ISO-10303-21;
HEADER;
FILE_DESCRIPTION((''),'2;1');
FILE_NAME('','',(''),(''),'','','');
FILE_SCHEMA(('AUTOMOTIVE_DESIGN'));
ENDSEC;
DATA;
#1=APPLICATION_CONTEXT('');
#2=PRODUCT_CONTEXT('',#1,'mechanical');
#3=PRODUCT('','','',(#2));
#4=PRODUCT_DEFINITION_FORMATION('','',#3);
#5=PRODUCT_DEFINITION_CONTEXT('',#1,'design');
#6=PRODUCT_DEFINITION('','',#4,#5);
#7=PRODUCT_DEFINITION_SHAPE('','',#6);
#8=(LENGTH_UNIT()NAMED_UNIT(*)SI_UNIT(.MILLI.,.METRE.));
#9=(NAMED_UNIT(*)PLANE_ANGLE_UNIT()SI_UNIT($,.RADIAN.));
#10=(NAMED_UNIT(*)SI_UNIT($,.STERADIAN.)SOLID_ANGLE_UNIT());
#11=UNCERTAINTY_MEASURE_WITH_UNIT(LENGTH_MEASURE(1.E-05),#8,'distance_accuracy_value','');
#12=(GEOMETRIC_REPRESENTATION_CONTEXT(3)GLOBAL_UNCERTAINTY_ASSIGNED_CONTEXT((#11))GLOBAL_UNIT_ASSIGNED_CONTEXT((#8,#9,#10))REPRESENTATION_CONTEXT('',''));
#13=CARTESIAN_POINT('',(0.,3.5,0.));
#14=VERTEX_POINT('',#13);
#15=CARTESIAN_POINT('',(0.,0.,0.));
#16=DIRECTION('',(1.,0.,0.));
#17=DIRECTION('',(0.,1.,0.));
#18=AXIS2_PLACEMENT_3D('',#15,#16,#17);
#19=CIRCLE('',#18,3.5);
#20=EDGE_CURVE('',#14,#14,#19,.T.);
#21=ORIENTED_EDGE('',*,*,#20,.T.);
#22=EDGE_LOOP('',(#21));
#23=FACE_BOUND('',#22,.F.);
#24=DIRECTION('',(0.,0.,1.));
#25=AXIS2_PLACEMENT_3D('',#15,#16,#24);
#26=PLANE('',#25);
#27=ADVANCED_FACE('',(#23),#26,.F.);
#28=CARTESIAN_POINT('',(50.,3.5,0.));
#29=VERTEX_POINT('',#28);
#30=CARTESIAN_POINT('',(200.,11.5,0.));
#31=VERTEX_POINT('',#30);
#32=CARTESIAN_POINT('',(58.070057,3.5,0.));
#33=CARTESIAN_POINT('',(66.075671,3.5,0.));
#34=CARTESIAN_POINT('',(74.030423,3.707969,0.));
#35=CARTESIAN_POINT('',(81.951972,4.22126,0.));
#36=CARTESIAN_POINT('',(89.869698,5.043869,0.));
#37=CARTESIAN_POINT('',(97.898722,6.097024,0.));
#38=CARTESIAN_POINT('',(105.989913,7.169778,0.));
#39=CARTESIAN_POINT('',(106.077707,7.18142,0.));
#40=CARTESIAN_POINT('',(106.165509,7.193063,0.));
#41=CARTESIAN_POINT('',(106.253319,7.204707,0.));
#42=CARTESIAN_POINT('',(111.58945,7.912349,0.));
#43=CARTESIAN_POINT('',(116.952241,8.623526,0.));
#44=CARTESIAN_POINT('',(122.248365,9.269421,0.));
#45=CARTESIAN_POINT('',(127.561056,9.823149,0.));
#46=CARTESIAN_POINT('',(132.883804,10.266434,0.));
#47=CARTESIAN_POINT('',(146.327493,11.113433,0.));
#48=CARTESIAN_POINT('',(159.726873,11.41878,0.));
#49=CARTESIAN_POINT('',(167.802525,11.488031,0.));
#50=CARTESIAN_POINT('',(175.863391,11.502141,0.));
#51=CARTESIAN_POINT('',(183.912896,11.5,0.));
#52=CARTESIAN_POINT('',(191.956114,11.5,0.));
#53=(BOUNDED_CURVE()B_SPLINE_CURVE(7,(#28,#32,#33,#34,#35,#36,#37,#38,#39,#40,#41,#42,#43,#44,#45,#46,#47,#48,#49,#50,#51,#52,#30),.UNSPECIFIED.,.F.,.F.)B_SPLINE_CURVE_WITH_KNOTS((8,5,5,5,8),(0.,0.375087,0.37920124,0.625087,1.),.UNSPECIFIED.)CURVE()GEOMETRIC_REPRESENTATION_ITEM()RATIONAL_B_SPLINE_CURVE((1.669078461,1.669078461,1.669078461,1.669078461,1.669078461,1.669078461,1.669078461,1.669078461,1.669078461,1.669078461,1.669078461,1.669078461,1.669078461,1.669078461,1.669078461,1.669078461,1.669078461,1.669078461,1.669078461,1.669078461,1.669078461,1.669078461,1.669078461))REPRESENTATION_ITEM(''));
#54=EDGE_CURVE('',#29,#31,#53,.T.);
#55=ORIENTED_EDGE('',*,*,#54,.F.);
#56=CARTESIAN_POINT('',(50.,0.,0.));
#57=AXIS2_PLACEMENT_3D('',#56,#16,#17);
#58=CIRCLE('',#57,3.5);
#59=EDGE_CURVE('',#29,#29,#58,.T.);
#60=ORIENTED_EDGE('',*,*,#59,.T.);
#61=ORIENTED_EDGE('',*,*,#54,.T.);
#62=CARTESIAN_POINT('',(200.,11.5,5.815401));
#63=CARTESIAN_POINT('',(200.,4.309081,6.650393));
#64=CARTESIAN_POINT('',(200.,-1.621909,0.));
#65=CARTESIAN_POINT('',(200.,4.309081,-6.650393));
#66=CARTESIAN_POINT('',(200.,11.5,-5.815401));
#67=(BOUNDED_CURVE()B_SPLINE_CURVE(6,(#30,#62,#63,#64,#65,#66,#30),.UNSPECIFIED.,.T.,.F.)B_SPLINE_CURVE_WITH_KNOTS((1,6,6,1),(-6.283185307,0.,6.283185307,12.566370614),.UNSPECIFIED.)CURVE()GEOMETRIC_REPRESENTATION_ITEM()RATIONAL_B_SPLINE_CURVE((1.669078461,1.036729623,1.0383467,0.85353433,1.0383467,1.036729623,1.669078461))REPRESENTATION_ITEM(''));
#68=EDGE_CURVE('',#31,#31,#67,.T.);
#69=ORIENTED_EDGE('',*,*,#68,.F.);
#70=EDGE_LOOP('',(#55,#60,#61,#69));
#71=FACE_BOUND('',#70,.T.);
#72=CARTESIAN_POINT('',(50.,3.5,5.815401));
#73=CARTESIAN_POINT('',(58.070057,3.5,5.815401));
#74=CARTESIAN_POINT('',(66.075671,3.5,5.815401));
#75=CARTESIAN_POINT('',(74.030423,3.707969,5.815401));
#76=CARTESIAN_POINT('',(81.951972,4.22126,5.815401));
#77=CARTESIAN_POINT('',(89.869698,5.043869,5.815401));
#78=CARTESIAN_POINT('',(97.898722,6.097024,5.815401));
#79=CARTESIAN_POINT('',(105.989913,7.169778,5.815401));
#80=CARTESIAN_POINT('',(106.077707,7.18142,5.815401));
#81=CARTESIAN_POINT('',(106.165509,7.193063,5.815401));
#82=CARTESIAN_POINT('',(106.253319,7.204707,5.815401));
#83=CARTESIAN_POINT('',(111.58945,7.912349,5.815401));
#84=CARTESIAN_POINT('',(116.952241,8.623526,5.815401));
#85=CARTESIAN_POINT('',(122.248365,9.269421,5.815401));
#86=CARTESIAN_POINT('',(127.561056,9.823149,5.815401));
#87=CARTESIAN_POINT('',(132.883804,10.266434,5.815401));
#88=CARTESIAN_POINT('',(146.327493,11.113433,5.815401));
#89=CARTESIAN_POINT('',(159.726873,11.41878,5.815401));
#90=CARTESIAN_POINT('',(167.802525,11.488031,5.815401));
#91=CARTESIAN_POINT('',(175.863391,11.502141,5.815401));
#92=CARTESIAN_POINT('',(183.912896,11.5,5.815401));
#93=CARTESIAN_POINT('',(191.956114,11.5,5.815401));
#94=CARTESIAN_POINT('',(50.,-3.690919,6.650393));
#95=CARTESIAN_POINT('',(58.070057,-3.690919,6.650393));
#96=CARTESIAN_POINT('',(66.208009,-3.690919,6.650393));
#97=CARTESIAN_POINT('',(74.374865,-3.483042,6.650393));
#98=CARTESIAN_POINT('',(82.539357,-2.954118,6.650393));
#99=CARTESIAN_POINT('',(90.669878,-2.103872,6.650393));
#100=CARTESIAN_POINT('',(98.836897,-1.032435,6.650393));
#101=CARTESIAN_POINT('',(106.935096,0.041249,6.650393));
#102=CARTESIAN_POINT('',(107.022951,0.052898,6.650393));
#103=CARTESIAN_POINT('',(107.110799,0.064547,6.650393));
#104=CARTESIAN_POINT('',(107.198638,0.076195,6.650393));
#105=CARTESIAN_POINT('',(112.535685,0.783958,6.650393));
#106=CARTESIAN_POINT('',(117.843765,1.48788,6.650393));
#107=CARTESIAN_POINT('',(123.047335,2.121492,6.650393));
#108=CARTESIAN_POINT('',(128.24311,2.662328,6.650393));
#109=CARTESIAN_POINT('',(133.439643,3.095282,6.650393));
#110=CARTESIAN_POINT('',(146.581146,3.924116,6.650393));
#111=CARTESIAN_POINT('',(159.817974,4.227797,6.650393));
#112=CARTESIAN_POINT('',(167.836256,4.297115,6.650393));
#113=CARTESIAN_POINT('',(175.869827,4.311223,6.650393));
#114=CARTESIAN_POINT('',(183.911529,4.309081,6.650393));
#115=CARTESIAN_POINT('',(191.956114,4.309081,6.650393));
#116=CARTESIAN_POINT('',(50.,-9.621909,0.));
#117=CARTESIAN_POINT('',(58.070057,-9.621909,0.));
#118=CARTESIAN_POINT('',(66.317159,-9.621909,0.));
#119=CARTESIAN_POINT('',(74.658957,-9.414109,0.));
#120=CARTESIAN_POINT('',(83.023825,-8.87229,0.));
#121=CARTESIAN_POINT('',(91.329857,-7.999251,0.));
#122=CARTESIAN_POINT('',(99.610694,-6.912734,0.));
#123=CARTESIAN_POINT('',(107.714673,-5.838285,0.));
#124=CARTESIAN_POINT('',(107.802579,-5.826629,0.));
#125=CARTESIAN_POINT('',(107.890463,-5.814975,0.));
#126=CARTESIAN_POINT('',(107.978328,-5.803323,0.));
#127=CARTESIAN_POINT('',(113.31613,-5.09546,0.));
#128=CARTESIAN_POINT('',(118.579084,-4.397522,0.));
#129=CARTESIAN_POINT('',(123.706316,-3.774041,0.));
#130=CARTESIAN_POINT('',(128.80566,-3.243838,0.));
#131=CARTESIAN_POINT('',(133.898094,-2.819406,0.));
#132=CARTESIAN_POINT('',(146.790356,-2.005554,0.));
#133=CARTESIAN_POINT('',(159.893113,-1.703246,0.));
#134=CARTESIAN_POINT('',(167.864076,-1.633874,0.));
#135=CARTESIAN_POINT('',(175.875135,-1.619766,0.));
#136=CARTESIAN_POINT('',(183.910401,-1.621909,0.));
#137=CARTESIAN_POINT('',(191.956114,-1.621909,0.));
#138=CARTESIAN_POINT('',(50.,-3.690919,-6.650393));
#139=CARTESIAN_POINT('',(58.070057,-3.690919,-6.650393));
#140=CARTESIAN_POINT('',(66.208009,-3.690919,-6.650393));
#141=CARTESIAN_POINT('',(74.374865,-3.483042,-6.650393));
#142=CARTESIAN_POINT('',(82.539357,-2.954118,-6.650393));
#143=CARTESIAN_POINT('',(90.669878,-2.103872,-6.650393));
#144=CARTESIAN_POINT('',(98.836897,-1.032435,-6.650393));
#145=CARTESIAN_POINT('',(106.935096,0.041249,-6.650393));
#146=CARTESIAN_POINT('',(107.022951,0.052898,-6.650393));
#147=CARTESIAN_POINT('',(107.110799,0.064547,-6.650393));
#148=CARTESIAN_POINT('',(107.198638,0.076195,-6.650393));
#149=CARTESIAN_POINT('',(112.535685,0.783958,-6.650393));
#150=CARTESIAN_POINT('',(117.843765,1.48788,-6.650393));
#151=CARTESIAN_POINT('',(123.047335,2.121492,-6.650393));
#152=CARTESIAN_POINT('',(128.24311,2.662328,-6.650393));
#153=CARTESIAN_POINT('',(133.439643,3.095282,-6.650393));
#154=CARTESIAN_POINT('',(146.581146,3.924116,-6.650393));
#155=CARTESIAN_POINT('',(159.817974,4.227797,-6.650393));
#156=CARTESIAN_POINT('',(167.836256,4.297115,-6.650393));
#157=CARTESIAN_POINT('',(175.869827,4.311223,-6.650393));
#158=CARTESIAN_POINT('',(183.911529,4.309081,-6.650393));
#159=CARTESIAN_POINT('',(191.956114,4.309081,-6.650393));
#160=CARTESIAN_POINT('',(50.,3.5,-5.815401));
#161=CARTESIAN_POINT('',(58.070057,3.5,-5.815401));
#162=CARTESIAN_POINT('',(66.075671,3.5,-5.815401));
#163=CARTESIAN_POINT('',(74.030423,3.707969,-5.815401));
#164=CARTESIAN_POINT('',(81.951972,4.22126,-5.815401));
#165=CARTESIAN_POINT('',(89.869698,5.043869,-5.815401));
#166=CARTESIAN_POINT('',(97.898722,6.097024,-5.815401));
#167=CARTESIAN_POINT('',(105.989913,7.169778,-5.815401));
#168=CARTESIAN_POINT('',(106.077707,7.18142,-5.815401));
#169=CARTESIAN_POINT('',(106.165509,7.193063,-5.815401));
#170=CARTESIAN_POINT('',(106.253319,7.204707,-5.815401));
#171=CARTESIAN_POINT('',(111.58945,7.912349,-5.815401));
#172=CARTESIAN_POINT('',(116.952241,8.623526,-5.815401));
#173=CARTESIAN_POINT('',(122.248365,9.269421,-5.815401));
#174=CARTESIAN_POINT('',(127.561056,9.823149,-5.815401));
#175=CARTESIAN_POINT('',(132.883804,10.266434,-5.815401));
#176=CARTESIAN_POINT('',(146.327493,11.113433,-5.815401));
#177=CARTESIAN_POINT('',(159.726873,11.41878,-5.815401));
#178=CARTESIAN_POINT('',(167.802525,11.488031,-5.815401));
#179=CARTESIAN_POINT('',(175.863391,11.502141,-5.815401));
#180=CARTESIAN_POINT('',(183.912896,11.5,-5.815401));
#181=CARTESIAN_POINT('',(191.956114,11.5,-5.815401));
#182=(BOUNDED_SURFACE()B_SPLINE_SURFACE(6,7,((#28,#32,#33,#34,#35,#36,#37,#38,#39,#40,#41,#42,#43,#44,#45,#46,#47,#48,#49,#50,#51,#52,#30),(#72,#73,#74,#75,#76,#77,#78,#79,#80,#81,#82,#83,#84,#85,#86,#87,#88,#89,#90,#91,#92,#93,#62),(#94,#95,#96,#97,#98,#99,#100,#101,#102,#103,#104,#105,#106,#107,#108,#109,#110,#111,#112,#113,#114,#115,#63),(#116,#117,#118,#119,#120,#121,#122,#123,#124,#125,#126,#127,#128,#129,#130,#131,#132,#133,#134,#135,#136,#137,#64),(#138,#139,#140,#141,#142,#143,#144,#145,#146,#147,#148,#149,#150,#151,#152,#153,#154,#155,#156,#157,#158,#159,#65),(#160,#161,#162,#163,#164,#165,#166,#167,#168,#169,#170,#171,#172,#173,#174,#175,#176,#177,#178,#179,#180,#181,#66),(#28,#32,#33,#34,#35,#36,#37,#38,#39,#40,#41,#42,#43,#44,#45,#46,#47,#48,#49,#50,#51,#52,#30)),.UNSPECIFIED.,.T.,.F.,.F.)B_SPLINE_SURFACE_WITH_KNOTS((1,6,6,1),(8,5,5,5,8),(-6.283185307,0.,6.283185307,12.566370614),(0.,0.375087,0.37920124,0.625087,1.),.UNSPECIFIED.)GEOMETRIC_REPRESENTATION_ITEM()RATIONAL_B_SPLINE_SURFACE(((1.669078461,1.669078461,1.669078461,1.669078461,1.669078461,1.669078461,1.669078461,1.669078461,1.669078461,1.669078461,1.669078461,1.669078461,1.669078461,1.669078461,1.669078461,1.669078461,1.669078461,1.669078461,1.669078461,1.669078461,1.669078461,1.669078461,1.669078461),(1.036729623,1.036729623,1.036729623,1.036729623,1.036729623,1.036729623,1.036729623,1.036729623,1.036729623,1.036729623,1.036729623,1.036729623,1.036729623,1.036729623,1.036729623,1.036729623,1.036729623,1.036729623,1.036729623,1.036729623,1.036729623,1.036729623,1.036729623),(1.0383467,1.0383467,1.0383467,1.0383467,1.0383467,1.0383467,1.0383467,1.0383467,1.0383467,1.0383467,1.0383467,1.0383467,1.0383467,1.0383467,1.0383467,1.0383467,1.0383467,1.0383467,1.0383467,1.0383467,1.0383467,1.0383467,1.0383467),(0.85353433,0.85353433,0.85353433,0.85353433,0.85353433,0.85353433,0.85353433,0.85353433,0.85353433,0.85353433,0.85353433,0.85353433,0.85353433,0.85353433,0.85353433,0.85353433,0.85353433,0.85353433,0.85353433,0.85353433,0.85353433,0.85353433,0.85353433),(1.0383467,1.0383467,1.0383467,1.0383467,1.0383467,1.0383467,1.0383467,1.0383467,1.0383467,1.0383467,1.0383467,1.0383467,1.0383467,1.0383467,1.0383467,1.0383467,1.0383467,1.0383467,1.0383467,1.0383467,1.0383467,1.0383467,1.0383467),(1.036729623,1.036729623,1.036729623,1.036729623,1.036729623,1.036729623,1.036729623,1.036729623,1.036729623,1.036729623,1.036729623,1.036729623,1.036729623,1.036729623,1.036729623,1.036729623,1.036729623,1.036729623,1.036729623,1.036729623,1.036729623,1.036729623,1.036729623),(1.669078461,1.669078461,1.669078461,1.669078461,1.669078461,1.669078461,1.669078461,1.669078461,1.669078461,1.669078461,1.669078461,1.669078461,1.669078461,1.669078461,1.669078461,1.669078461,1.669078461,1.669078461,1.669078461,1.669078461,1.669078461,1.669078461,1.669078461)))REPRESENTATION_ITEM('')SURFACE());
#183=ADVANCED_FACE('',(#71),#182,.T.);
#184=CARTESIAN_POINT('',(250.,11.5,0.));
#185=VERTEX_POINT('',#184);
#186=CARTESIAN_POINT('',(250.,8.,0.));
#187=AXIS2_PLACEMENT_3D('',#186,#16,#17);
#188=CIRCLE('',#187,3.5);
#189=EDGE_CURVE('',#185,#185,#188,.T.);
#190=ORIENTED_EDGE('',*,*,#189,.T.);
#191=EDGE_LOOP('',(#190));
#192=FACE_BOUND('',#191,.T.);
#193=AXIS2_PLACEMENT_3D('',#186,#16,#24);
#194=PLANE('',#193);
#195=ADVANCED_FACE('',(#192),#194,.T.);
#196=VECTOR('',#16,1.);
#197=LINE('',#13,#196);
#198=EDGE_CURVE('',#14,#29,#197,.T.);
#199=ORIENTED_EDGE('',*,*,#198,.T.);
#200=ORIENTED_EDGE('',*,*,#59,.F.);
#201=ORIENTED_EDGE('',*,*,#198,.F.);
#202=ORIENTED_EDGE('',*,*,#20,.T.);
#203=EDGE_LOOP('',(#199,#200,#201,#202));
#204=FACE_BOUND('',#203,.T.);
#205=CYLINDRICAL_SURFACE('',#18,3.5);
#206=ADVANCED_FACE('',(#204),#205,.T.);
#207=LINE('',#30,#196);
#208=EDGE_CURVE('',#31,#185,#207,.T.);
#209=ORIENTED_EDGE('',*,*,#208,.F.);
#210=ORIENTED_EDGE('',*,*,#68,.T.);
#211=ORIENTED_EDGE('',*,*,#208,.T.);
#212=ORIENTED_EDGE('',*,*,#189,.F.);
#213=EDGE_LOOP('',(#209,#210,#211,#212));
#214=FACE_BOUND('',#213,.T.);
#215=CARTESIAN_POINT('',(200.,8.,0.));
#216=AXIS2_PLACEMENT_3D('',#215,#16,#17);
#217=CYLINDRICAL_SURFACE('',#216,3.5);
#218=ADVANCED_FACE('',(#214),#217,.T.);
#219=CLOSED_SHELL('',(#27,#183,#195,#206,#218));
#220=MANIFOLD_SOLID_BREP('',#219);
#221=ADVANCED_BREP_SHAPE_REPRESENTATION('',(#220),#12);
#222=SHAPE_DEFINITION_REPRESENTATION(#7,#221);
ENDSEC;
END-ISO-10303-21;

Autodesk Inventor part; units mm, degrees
ref_plane "YZ Plane" through (0, 0, 0) normal (1, 0, 0) x (0, 1, 0)
ref_plane "XZ Plane" through (0, 0, 0) normal (0, 1, 0) x (-1, 0, 0)
ref_plane "XY Plane" through (0, 0, 0) normal (0, 0, 1) x (1, 0, 0)
sketch "Skizze4" plane through (0, 0, 0) normal (0, 0, 1) x (1, 0, 0)
  line L0 (0, 0) -> (50, 0)
  line L1 (200, 8) -> (250, 8)
  spline S0 degree 4 poles (50, 0) (64.1226, 0) (87.6579, 0) (124.8419, 8.0833) (162.4597, 8) (185.9232, 8) (200, 8) knots 0 0 0 0 0 0.375087 0.625087 1 1 1 1 1
  point P0 (125, 5.9647)
  dimension "d10" = 50
  dimension "d11" = 50
  dimension "d12" = 8
  dimension "d13" = 75
  dimension "d14" = 75
sketch "Skizze6" plane through (0, 0, 0) normal (1, 0, 0) x (0, 1, 0)
  circle A0 centre (0, 0) radius 3.5
  dimension "d15" = 7
sweep "Sweeping2" add profiles "Skizze6" path "Skizze4"
properties part number "kabel2"
